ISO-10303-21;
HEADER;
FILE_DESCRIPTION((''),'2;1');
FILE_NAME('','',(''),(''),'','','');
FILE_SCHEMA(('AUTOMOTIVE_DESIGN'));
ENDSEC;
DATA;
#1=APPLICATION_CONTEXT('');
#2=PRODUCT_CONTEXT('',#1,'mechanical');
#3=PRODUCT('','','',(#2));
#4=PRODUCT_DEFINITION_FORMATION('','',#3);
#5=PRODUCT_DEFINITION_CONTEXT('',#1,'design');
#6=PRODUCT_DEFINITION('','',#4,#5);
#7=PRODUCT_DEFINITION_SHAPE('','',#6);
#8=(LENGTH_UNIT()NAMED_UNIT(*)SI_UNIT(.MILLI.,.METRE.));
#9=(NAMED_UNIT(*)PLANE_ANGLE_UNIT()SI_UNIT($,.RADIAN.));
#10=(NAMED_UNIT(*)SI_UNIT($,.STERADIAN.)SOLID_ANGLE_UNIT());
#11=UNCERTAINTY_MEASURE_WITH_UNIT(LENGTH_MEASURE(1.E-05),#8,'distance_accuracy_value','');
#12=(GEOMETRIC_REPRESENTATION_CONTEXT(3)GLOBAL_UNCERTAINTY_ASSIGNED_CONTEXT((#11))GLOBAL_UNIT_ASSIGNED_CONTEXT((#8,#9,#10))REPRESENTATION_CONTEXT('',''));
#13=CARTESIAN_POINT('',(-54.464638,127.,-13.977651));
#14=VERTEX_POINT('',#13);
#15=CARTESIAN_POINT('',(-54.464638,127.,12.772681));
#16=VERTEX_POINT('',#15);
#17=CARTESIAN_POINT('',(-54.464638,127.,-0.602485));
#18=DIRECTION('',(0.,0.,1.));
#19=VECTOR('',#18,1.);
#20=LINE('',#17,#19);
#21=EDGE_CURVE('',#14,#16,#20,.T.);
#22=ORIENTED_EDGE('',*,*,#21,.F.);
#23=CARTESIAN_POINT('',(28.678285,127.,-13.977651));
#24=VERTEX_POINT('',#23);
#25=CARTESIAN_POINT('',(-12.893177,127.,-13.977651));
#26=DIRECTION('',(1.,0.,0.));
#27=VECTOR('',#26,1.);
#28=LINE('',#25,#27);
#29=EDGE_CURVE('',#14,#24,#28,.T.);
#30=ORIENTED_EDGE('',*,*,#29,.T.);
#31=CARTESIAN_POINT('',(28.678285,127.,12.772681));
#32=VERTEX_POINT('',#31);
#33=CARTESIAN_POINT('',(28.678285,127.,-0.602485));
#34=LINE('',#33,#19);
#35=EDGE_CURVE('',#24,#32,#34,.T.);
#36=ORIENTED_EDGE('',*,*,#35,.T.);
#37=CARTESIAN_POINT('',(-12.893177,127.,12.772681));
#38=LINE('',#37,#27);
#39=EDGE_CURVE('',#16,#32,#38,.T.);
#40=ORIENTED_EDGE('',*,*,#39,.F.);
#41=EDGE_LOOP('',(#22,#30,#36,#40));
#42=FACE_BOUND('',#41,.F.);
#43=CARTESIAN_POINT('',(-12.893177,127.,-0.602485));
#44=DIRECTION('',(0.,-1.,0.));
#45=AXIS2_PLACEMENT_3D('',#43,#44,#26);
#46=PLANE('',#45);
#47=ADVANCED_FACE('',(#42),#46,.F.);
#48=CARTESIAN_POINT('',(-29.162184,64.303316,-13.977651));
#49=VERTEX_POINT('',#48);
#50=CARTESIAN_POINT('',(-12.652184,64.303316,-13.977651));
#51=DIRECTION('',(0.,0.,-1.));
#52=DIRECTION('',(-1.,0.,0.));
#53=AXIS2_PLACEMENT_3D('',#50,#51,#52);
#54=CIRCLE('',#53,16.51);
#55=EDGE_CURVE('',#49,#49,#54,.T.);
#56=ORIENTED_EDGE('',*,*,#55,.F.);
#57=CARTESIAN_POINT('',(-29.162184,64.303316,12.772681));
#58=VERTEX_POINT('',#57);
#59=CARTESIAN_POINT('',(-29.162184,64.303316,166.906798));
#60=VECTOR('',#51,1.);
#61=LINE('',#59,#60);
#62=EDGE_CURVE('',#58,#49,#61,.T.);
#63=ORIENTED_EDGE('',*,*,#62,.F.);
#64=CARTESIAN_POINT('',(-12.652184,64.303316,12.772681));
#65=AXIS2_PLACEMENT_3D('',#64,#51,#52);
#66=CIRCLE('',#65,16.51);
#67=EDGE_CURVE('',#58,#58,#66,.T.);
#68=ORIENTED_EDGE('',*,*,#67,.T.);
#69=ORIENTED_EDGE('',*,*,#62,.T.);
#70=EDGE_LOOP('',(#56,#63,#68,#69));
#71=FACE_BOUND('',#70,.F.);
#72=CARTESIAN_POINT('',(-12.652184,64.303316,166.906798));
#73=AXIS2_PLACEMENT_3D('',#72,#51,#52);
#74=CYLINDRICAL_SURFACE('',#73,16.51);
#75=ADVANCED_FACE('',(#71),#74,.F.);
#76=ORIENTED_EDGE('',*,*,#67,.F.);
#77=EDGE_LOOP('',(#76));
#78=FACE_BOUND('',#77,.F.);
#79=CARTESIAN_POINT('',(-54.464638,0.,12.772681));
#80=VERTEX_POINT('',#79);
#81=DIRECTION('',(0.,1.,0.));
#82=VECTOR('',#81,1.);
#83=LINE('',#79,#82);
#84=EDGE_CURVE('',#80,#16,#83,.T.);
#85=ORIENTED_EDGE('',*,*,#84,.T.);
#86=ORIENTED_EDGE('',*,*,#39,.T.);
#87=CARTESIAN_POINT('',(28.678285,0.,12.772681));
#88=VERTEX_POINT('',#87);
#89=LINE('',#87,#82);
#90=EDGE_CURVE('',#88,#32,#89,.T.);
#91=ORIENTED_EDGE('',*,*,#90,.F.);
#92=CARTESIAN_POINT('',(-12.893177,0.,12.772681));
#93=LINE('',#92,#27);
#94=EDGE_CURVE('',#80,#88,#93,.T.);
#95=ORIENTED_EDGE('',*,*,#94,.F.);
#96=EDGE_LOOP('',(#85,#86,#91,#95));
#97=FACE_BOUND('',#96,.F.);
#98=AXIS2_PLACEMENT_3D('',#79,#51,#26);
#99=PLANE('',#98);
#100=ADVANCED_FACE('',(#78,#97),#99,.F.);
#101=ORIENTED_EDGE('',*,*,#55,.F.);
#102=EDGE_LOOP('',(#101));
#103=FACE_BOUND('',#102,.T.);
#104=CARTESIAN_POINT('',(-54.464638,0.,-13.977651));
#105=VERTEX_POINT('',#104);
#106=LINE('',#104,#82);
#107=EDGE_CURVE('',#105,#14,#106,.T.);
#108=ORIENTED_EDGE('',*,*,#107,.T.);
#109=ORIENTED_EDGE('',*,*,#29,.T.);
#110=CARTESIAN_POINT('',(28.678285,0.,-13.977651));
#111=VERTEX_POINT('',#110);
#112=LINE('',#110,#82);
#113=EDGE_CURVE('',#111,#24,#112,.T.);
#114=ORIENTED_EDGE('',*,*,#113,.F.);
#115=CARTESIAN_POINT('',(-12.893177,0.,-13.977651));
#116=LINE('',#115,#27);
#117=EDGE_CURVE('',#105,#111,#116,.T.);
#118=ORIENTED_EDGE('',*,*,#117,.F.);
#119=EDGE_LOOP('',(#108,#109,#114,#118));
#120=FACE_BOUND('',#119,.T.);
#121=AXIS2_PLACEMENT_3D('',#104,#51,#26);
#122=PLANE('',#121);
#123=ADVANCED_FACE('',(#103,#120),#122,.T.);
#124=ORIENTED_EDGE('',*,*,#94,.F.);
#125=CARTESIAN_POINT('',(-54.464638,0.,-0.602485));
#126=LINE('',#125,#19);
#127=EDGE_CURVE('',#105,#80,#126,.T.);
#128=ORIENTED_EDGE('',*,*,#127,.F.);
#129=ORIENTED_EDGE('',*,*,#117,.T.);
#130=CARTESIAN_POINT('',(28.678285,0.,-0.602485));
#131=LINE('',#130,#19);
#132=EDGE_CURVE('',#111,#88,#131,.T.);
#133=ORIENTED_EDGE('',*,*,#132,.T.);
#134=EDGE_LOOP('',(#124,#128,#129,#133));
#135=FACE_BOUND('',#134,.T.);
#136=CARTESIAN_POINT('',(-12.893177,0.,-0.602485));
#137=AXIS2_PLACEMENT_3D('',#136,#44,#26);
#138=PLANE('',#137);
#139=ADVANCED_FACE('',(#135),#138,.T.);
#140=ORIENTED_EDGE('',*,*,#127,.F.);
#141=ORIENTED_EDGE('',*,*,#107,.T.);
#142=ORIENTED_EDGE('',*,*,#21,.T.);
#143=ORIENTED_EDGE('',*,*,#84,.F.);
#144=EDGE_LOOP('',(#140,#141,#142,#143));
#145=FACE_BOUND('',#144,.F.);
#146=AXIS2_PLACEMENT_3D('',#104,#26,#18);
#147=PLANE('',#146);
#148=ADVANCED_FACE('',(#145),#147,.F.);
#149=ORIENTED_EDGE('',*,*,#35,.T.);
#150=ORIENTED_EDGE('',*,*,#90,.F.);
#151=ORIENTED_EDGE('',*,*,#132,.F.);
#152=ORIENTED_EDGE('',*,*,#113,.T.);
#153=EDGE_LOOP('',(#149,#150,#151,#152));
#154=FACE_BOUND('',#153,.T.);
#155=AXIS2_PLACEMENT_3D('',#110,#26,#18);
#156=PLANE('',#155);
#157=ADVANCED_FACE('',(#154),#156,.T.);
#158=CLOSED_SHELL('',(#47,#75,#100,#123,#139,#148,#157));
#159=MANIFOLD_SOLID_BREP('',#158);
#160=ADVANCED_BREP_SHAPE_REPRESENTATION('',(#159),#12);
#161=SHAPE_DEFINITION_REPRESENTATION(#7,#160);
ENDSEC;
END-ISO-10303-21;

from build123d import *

# Parameters (mm, degrees)
F0_W     = 83.142923
F0_H     = 26.750332
F1_DEPTH = 127
F3_D     = 33.02


with BuildPart() as f1:
    # F0 (on Front) → F1 (new body)
    with BuildSketch(Plane.XZ):
        with Locations((-12.893177, -0.602485)):
            Rectangle(F0_W, F0_H)
    extrude(amount=-F1_DEPTH)

    # F3 (through all)
    with Locations(Plane.XY.offset(12.772681)):
        with Locations((-12.652184, 64.303316)):
            Hole(F3_D / 2)


solid = f1.part
